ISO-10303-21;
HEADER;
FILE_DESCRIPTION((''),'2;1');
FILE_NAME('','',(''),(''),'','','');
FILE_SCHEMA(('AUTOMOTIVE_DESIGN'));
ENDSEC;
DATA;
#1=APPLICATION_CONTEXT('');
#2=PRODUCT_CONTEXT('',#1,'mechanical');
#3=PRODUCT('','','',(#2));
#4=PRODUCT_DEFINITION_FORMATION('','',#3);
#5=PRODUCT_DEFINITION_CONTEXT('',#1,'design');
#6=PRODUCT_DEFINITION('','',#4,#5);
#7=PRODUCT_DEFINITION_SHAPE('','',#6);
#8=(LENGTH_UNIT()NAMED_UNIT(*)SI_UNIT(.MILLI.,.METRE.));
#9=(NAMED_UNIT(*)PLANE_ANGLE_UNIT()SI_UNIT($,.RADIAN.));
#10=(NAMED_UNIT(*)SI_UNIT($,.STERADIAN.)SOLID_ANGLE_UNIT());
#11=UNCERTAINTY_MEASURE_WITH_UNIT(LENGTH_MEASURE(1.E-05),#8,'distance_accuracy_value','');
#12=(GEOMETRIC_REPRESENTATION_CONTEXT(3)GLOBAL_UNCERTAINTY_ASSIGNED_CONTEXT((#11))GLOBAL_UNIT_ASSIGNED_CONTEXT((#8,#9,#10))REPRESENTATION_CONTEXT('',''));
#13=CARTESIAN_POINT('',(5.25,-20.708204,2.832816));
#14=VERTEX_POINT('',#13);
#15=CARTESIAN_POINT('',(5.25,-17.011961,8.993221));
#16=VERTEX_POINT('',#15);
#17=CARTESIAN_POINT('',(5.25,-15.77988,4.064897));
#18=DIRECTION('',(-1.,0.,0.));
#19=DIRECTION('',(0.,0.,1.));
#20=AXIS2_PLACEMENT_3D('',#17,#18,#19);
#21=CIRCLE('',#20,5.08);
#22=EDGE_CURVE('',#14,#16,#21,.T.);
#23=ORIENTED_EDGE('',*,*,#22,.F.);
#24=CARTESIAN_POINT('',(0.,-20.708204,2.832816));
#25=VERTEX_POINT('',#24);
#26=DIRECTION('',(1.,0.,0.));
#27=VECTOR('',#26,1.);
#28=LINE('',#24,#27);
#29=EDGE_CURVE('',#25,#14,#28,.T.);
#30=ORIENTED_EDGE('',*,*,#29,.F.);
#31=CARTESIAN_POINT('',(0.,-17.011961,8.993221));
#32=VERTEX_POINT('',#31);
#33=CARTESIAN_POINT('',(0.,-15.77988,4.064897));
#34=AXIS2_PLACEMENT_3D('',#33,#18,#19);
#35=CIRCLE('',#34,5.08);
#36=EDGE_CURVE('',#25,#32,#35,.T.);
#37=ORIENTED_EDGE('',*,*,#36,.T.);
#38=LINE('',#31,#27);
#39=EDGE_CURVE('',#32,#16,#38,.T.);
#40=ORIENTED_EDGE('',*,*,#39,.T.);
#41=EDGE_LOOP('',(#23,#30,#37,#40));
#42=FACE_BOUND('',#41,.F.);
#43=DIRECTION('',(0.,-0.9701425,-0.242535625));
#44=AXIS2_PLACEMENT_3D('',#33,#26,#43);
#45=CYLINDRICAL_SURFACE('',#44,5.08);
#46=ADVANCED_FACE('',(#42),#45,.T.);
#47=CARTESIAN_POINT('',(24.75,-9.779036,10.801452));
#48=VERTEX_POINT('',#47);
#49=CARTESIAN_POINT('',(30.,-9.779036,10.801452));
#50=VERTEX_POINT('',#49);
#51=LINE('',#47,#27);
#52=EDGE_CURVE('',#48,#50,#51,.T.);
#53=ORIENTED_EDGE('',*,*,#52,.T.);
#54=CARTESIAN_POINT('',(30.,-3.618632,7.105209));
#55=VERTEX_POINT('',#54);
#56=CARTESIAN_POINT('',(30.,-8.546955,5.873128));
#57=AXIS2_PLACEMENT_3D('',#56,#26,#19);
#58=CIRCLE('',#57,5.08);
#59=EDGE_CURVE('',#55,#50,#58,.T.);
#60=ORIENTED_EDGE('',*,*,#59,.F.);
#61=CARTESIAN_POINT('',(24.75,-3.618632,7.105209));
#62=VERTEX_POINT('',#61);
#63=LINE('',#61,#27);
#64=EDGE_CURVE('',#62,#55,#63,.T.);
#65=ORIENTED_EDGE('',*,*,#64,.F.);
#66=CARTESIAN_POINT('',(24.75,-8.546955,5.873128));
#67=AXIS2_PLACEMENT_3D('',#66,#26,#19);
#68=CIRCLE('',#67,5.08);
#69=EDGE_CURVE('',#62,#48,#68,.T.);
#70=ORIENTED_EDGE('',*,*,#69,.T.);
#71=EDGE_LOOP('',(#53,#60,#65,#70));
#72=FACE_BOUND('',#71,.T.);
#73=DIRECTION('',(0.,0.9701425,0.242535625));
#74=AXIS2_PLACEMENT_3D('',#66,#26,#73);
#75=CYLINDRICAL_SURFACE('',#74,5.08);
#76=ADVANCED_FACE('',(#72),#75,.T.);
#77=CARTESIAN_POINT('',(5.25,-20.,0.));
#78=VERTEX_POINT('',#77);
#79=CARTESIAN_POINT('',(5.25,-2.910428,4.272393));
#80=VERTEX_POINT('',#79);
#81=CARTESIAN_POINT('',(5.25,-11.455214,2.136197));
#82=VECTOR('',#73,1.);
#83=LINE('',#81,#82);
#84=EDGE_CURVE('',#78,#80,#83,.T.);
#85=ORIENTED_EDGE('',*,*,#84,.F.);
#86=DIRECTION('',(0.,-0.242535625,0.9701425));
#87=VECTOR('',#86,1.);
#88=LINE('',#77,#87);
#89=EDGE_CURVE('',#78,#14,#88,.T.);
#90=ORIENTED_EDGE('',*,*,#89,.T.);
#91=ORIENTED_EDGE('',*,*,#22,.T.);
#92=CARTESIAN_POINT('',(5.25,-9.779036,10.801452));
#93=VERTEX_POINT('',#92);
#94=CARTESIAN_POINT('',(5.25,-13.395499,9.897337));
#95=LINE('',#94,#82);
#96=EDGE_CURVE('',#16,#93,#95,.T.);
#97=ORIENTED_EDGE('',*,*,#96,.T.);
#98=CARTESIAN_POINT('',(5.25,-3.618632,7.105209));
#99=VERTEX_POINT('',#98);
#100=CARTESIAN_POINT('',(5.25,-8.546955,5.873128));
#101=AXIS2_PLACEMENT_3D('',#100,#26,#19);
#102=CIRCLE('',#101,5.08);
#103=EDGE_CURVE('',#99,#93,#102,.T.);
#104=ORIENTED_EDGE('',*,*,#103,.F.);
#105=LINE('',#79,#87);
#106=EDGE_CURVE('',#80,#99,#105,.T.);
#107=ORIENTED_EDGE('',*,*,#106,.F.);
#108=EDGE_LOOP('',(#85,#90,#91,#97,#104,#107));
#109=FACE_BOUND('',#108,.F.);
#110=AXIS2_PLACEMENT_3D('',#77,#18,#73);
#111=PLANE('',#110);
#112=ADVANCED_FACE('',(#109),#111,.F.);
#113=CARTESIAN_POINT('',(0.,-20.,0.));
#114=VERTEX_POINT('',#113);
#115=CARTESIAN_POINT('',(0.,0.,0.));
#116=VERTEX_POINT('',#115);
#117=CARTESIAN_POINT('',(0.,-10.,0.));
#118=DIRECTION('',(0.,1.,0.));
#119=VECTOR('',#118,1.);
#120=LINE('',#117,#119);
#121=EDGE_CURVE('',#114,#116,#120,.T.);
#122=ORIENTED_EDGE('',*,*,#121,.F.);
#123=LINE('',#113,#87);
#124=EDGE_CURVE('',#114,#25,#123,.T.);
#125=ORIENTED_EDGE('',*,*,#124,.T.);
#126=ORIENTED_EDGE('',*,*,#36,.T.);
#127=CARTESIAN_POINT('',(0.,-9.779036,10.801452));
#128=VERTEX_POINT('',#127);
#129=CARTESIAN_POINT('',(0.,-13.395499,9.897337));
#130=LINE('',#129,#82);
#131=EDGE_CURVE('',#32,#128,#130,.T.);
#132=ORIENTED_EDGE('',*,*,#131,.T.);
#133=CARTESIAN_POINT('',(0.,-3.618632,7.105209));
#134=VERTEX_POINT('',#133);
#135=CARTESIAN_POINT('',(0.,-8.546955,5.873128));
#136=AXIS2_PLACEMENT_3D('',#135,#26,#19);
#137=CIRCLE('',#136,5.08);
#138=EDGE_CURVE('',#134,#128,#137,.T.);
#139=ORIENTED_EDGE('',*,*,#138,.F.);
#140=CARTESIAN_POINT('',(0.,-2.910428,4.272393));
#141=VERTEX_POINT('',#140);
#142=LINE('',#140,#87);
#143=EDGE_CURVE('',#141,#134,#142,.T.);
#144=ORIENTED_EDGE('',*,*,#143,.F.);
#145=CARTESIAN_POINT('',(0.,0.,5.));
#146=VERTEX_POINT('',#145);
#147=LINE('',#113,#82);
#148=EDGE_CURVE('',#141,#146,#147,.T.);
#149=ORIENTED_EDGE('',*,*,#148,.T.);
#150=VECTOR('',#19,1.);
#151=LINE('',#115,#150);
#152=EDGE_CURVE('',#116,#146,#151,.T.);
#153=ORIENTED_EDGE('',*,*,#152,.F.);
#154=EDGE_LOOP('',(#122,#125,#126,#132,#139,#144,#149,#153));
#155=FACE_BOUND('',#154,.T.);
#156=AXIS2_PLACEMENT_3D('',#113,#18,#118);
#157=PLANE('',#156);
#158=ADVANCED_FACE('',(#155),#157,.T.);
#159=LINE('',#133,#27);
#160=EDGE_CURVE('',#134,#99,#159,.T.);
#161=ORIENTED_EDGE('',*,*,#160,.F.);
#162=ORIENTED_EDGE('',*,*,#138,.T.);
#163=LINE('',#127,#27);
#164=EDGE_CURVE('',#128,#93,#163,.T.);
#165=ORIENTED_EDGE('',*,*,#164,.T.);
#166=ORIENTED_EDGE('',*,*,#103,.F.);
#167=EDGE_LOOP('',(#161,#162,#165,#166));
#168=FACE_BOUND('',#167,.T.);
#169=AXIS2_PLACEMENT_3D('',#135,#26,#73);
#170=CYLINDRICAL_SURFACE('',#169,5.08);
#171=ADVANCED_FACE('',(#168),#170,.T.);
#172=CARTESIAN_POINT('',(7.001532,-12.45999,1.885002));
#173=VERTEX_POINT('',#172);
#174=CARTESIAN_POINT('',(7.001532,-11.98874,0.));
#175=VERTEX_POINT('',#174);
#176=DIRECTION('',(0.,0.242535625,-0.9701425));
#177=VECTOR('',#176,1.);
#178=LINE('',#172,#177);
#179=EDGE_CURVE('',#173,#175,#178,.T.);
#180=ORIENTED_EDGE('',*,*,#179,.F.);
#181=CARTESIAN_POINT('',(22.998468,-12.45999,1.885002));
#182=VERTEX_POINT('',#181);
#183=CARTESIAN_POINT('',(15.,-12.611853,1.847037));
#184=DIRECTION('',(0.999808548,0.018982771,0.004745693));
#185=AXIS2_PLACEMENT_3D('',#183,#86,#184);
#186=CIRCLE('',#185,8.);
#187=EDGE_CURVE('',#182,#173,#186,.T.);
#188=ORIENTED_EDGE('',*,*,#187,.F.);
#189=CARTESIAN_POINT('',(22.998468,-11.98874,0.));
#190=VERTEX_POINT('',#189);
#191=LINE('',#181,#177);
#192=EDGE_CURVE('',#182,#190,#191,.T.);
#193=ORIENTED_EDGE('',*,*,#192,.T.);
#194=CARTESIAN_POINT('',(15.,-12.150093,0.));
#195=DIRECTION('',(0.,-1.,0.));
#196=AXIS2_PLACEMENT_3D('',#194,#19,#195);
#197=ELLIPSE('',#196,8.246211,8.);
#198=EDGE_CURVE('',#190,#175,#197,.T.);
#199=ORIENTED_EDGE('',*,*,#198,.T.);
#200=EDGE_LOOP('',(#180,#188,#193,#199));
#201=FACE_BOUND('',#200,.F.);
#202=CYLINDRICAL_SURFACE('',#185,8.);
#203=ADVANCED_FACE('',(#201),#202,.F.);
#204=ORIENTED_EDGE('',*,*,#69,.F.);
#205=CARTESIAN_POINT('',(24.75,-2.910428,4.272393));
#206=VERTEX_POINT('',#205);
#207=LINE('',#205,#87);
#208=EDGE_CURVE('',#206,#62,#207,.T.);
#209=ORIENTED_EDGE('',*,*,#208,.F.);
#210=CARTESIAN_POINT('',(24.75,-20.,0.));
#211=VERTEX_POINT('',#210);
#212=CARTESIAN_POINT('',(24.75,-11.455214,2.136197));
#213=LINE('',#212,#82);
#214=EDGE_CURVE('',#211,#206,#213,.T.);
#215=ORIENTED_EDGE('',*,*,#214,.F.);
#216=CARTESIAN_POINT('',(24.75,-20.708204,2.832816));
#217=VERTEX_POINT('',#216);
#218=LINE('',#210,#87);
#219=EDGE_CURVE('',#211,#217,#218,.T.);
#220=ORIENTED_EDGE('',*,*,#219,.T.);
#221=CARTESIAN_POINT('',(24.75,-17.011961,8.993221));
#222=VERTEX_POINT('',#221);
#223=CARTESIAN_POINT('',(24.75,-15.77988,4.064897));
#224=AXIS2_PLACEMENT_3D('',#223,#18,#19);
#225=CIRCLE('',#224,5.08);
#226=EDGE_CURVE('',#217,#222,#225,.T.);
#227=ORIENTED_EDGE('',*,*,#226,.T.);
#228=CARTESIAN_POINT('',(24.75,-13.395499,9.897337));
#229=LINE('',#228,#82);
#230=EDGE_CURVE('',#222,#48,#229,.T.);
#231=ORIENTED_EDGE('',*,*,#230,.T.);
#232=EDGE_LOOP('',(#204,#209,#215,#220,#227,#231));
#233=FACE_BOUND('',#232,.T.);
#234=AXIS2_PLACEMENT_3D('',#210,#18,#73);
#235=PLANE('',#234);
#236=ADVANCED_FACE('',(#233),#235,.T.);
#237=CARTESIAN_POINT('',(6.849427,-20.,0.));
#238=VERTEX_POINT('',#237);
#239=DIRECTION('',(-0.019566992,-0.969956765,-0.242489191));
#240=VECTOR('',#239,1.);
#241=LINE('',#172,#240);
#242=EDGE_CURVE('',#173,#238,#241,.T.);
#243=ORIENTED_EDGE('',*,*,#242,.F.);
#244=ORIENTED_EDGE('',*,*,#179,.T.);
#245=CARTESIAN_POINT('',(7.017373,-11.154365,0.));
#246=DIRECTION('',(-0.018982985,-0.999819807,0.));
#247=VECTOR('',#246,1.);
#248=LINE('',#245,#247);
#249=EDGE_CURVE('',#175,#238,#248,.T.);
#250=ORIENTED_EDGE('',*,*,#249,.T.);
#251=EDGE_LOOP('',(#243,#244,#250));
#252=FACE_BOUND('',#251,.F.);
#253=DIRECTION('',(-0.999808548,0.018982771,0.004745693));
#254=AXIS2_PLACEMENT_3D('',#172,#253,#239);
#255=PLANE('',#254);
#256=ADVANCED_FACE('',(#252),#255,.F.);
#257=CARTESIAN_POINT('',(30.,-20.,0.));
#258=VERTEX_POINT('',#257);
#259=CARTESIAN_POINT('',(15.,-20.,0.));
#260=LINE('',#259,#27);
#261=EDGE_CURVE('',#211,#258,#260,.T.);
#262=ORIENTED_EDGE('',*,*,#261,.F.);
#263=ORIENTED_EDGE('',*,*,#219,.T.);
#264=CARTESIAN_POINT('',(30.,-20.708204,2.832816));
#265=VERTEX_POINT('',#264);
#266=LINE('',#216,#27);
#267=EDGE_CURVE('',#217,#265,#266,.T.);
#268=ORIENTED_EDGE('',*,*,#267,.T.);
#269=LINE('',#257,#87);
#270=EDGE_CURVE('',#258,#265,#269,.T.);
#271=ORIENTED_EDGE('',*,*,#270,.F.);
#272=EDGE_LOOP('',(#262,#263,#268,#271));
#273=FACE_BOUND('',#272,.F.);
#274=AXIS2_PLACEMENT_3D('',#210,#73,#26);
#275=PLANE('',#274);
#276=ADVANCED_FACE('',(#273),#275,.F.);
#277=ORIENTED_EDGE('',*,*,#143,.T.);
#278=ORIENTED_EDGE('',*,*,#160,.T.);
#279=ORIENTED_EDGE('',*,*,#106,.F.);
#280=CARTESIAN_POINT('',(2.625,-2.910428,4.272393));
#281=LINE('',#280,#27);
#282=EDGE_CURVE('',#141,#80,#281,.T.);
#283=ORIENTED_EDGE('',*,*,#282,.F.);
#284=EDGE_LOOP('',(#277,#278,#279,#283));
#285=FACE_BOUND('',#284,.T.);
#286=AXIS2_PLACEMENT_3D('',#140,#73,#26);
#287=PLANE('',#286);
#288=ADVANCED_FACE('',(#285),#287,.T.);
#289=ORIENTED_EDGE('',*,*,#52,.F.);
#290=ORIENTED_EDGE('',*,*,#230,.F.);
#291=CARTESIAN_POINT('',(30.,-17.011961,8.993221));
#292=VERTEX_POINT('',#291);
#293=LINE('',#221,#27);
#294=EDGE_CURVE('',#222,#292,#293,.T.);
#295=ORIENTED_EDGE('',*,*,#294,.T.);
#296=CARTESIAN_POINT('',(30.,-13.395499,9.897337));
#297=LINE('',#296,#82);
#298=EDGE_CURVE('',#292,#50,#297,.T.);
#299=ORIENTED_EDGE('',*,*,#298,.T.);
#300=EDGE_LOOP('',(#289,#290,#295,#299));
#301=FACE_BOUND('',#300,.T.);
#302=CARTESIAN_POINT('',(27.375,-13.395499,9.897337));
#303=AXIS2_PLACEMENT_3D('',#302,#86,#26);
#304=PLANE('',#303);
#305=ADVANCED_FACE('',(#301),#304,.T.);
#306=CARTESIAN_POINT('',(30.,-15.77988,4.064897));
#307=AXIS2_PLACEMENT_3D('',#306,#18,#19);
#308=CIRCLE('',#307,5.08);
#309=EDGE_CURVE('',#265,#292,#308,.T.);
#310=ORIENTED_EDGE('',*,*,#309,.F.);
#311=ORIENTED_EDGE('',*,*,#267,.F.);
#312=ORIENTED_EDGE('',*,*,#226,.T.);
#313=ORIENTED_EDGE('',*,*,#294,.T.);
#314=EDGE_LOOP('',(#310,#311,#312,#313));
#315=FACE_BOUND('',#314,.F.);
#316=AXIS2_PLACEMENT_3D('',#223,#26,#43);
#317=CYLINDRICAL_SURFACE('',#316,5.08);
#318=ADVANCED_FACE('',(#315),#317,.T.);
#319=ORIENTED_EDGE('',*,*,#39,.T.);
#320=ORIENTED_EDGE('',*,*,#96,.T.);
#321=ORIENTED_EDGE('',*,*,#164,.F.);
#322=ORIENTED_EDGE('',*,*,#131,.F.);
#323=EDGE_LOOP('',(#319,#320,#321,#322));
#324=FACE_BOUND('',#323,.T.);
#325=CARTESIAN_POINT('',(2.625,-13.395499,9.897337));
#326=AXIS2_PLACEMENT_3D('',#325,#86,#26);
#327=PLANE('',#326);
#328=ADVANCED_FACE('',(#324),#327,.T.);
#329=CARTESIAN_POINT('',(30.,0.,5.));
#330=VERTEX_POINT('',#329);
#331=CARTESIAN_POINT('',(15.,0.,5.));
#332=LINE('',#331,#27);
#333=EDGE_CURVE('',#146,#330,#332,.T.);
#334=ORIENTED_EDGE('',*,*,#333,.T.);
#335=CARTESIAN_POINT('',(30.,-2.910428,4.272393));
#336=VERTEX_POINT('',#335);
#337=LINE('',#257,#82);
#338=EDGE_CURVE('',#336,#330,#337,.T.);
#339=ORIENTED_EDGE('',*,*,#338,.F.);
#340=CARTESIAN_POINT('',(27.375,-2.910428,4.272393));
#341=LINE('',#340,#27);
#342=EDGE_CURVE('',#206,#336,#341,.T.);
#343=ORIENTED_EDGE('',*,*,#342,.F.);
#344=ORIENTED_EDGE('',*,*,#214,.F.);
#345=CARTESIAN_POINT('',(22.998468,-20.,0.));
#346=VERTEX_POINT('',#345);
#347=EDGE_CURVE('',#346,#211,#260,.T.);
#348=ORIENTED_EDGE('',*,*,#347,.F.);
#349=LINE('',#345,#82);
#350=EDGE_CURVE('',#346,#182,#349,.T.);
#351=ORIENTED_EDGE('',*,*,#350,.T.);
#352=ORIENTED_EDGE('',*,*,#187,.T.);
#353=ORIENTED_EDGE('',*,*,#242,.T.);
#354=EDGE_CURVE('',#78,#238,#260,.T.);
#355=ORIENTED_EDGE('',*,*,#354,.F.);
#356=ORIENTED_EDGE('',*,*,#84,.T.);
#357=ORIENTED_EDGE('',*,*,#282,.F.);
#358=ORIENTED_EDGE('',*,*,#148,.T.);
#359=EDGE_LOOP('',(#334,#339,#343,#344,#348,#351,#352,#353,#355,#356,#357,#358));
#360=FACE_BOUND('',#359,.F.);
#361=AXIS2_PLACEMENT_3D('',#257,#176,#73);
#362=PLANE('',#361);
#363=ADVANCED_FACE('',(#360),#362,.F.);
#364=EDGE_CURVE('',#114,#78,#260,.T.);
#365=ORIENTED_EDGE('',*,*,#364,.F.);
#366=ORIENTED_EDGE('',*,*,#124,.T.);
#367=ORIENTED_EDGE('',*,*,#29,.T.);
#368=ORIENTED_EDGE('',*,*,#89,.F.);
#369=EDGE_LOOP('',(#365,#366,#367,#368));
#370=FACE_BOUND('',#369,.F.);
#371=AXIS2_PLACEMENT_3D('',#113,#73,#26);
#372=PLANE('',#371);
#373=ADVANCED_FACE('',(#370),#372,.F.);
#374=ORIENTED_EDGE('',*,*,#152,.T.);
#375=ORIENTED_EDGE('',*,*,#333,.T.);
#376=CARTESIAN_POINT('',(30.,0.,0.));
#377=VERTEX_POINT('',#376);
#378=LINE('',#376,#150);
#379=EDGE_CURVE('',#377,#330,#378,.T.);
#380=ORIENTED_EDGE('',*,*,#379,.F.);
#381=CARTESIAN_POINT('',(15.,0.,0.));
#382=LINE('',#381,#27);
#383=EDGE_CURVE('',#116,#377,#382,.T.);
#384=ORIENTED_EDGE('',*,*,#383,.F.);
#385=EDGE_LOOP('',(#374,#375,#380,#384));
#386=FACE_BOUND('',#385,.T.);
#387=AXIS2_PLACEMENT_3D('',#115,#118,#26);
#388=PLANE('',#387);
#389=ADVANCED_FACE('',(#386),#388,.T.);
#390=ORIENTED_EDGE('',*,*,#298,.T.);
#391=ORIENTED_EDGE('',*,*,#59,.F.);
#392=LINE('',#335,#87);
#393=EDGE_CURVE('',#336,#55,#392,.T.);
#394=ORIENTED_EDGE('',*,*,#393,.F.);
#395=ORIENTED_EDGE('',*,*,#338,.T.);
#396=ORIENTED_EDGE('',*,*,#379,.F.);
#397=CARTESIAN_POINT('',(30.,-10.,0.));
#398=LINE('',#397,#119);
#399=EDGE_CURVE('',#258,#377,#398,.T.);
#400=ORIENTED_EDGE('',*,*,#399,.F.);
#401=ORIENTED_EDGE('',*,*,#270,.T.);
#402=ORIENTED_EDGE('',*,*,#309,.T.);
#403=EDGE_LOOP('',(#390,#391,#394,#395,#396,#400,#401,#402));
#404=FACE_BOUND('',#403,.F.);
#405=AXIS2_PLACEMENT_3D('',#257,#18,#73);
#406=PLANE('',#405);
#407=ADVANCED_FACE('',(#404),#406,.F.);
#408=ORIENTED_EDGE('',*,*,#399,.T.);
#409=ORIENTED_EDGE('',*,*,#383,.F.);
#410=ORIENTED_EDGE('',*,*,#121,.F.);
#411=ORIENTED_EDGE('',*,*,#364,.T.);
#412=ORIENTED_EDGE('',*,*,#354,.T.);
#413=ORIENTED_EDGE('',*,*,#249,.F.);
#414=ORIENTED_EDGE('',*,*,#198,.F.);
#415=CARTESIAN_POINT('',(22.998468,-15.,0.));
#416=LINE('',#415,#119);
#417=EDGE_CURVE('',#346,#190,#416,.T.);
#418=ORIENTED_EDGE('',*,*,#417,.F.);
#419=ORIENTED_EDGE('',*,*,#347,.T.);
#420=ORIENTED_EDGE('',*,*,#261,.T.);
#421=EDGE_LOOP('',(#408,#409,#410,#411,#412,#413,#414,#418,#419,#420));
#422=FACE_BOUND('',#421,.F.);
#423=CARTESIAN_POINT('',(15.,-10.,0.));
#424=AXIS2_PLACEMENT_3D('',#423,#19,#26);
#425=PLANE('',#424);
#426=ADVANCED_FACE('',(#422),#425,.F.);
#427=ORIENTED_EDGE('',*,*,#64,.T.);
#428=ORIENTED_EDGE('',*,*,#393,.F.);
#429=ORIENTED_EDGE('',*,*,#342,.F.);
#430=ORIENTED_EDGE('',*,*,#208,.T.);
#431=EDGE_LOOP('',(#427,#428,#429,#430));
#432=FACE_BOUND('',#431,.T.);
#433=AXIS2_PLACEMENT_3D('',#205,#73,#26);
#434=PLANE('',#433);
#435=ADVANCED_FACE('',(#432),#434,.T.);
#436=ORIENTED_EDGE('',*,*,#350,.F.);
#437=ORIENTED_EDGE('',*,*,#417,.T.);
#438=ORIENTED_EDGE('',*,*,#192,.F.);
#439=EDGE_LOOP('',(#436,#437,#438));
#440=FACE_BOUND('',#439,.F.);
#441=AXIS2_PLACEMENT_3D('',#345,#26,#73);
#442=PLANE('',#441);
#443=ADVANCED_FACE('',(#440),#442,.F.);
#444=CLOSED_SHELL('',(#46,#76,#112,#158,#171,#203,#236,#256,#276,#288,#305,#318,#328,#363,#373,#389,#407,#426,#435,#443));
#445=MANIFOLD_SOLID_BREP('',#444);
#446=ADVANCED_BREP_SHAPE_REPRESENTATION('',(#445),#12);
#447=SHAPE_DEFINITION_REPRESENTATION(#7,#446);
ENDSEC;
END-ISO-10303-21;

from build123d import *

# Parameters (mm, degrees)
F0_W     = 30
F0_H     = 20
F1_DEPTH = 5
F3_DEPTH = 30
F5_DEPTH = 25.4
F6_W     = 5.25
F6_H     = 17.6155281281
F7_DEPTH = 8
F8_R     = 5.08


with BuildPart() as f1:
    # F0 (on Top) → F1 (new body)
    with BuildSketch(Plane.XY):
        with Locations((15, -10)):
            Rectangle(F0_W, F0_H)
    extrude(amount=F1_DEPTH)

    # F2 (on face) → F3 (cut, through all)
    with BuildSketch(Plane.YZ.offset(30)):
        Polygon((-20, 5), (-20, 0), (0, 5), align=None)
    extrude(amount=-F3_DEPTH, mode=Mode.SUBTRACT)

    # F4 (on face) → F5 (cut)
    with BuildSketch(Plane(origin=(0, -1.1764705882, 4.7058823529), x_dir=(1, 0, 0), z_dir=(0, -0.242535625, 0.9701425001))):
        with BuildLine():
            Line((22.9984683846, -19.4028500029), (22.9984683846, -11.9438578146))
            Line((22.9984683846, -11.9438578146), (22.9984683846, -11.6307859351))
            ThreePointArc((22.9984683846, -11.6307859351), (15, -3.7873218748), (7.0015316154, -11.6307859351))
            Line((7.0015316154, -11.6307859351), (6.8494265755, -19.4028500029))
            Line((6.8494265755, -19.4028500029), (22.9984683846, -19.4028500029))
        make_face()
    extrude(amount=-F5_DEPTH, mode=Mode.SUBTRACT)

    # F6 (on face) → F7 (join)
    with BuildSketch(Plane(origin=(0, -1.1764705882, 4.7058823529), x_dir=(1, 0, 0), z_dir=(0, -0.242535625, 0.9701425001))):
        with Locations((27.375, -10.5950859389)):
            Rectangle(F6_W, F6_H)
        with Locations((2.625, -10.5950859389)):
            Rectangle(F6_W, F6_H)
    extrude(amount=F7_DEPTH)

    # F8
    f8_edges = [f1.edges().sort_by_distance(p)[0] for p in [
        (2.625, -4.850713, 12.033533),
        (27.375, -4.850713, 12.033533),
        (2.625, -21.940285, 7.76114),
        (27.375, -21.940285, 7.76114),
    ]]
    fillet(f8_edges, radius=F8_R)


solid = f1.part
